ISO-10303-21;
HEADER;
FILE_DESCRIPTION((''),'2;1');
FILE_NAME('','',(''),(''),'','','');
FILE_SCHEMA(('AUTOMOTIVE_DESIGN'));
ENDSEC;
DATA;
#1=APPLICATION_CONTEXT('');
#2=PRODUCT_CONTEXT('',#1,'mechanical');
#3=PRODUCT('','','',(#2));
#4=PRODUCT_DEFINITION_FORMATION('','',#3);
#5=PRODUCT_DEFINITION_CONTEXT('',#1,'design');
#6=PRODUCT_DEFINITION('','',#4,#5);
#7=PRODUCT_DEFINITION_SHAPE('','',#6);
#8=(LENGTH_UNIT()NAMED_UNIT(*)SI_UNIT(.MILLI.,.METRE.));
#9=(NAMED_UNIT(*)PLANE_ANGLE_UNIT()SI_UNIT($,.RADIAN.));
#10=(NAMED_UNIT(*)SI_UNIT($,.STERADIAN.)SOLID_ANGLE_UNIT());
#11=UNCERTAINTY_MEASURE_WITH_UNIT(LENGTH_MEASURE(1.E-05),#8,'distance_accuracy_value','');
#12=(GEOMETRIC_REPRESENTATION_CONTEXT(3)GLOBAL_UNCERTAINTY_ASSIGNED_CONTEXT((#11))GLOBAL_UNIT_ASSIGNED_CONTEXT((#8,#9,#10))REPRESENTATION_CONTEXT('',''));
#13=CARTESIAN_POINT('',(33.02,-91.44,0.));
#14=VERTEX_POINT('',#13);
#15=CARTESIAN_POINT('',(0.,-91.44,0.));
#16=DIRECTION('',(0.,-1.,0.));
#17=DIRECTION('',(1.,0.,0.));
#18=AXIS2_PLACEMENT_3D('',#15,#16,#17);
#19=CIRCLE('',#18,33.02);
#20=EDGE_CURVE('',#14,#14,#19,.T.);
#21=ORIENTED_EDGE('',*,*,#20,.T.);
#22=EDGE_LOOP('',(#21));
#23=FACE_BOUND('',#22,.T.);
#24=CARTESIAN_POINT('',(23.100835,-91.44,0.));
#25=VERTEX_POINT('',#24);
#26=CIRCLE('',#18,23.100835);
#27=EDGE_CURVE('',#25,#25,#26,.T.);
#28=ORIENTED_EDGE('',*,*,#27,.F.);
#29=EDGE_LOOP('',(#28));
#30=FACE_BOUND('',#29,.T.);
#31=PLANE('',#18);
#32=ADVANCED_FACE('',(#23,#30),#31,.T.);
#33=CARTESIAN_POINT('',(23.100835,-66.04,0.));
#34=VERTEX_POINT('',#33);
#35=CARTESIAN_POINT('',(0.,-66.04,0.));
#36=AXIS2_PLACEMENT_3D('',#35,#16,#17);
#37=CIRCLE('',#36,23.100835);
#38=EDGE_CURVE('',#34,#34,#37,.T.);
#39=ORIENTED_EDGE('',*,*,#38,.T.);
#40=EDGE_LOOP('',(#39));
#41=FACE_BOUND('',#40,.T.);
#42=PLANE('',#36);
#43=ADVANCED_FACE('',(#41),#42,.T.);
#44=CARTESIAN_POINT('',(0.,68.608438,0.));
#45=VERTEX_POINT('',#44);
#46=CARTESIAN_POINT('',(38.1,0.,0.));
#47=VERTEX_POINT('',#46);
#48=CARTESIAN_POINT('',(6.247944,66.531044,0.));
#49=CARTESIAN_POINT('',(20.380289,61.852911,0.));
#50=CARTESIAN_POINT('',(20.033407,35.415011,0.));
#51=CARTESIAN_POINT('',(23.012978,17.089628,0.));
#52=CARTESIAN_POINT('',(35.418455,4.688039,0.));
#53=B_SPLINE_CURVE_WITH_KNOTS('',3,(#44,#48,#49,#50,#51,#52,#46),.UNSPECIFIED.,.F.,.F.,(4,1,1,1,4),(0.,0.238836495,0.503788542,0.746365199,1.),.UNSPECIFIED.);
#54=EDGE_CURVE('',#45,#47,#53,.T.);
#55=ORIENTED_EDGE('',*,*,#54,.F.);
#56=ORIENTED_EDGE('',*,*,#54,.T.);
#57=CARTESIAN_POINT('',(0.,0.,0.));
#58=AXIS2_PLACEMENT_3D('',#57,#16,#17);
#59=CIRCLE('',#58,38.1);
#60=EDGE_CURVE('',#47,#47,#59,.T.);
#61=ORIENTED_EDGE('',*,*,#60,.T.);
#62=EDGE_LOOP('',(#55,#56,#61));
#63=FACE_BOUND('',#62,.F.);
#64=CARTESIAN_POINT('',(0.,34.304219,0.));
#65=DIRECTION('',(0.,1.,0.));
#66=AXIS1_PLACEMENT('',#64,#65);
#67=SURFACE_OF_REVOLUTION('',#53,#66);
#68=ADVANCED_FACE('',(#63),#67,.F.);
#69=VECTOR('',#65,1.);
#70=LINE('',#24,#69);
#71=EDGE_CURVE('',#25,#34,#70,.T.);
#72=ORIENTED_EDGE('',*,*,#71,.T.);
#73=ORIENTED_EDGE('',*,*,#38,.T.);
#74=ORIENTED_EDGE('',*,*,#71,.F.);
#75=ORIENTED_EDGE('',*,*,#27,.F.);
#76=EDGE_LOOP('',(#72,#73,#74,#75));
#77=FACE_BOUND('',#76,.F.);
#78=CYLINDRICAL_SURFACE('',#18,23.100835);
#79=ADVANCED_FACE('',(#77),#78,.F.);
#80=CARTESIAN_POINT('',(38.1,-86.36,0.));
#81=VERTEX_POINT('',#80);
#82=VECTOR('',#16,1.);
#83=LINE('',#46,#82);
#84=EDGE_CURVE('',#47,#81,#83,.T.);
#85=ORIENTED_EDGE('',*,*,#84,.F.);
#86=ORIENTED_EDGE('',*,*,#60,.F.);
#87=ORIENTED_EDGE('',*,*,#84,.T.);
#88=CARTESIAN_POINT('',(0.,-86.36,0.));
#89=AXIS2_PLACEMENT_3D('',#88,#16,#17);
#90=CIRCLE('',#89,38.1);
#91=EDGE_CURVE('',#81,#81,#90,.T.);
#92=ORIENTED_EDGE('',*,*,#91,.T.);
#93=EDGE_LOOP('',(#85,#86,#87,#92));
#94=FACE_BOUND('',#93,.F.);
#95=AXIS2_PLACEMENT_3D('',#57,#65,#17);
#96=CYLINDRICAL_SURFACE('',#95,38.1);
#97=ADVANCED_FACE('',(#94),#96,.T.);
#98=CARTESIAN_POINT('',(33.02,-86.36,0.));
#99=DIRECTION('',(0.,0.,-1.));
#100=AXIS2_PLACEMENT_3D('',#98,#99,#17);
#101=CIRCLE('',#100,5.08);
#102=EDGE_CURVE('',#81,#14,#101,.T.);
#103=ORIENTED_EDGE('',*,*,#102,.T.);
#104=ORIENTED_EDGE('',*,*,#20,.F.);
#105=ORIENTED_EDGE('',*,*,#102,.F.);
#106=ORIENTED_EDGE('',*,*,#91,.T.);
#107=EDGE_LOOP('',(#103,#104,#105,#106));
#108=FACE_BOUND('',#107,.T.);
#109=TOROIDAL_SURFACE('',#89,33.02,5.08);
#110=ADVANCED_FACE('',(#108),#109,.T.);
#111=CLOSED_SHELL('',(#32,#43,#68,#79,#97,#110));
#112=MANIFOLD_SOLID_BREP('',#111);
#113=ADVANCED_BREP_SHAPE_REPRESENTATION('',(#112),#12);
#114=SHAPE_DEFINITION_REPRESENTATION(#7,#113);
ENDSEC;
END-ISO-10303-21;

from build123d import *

# Parameters (mm, degrees)
F0_R     = 38.1
F1_DEPTH = 91.44
F2_R     = 23.1008347908
F3_DEPTH = 25.4
F4_R     = 5.08


with BuildPart() as f1:
    # F0 (on Front) → F1 (new body)
    with BuildSketch(Plane.XZ):
        Circle(F0_R)
    extrude(amount=F1_DEPTH)

    # F2 (on face) → F3 (cut)
    with BuildSketch(Plane.XZ.offset(91.44)):
        Circle(F2_R)
    extrude(amount=-F3_DEPTH, mode=Mode.SUBTRACT)

    # F4
    f4_edges = [f1.edges().sort_by_distance(p)[0] for p in [
        (-38.1, -91.44, 0),
    ]]
    fillet(f4_edges, radius=F4_R)

    # F5 (on Top) → F6 (revolve)
    with BuildSketch(Plane.XY):
        with BuildLine():
            Line((0, 68.6084377315), (0, 0))
            Line((0, 0), (38.1, 0))
            add(Edge.make_bspline(
                [(0, 68.6084377315), (6.2479440962, 66.531043979), (20.3802893777, 61.8529112655), (20.0334067384, 35.4150108531), (23.0129778355, 17.0896280583), (35.4184549534, 4.6880386636), (38.1, 0)],
                knots=[0, 0, 0, 0, 0.238836495, 0.5037885419, 0.7463651992, 1, 1, 1, 1], degree=3))
        make_face()
    revolve(axis=Axis((0, 34.3042188658, 0), (0, 1, 0)))


solid = f1.part
